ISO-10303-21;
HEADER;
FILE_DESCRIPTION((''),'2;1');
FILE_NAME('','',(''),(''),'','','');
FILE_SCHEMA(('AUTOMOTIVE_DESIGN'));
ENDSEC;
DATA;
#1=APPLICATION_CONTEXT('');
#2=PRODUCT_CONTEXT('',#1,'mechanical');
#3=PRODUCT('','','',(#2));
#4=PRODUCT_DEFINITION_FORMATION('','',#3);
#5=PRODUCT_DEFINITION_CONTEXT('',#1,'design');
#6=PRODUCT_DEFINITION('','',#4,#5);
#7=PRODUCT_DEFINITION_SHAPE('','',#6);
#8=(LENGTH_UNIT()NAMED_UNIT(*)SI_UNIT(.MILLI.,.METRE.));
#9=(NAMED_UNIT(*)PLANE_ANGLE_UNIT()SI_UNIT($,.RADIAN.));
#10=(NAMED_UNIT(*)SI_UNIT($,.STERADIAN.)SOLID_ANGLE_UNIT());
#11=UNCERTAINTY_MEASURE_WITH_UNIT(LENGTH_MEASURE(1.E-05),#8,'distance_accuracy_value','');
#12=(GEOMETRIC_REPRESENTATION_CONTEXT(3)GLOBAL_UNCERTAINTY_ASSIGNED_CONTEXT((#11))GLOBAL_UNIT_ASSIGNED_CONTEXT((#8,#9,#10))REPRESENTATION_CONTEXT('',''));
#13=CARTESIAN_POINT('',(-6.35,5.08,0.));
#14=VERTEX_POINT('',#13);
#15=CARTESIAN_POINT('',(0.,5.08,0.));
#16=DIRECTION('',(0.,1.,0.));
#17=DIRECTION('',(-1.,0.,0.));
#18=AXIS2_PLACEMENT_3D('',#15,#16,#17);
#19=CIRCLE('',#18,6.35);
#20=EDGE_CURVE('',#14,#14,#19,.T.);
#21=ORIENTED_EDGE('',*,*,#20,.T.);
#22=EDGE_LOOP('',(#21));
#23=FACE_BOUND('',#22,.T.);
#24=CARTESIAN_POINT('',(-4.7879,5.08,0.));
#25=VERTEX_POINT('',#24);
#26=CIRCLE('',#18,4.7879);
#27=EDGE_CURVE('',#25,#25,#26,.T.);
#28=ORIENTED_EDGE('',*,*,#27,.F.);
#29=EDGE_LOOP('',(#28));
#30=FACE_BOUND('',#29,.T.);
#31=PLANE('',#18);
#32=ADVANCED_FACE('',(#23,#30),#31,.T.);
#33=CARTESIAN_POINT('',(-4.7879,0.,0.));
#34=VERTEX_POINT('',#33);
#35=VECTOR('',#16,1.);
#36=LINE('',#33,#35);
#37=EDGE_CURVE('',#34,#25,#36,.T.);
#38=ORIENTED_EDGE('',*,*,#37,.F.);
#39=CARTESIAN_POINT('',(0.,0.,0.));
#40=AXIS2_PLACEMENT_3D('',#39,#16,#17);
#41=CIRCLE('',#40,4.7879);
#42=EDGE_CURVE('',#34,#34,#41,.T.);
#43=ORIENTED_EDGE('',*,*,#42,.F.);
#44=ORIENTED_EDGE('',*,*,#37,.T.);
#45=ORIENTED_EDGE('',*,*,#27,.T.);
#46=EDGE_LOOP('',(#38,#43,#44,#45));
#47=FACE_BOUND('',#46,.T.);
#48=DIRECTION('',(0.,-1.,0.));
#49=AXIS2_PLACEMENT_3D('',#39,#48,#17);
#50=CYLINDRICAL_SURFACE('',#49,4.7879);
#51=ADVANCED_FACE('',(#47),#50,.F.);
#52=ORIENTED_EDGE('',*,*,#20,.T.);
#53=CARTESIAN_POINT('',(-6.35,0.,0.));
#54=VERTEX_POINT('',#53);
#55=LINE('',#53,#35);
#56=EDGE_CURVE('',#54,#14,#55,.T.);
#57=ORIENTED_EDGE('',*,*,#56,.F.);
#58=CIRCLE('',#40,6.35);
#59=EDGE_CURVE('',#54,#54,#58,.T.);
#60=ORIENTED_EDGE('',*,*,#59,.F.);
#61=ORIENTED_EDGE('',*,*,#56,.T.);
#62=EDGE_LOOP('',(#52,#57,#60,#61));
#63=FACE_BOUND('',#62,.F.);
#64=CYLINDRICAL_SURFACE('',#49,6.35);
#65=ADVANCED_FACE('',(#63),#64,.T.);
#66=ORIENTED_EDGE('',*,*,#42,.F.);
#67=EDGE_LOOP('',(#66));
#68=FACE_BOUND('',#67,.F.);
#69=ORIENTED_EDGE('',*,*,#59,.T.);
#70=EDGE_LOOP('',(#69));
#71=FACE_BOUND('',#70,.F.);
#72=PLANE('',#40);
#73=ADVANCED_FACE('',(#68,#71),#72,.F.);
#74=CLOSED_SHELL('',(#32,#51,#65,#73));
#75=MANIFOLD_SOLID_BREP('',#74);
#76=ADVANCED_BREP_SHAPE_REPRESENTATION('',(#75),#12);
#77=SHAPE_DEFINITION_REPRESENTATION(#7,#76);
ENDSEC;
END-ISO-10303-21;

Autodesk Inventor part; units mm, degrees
ref_plane "YZ Plane" through (0, 0, 0) normal (1, 0, 0) x (0, 1, 0)
ref_plane "XZ Plane" through (0, 0, 0) normal (0, 1, 0) x (-1, 0, 0)
ref_plane "XY Plane" through (0, 0, 0) normal (0, 0, 1) x (1, 0, 0)
sketch "Sketch1" plane through (0, 0, 0) normal (0, 1, 0) x (-1, 0, 0)
  circle A0 centre (0, 0) radius 4.7879
  circle A1 centre (0, 0) radius 6.35
  dimension "d0" = 9.5758
  dimension "d1" = 12.7
extrude "Extrusion1" add sketch "Sketch1" along normal blind 5.08
properties part number "0.215_Spacer" material "ABS Plastic"
